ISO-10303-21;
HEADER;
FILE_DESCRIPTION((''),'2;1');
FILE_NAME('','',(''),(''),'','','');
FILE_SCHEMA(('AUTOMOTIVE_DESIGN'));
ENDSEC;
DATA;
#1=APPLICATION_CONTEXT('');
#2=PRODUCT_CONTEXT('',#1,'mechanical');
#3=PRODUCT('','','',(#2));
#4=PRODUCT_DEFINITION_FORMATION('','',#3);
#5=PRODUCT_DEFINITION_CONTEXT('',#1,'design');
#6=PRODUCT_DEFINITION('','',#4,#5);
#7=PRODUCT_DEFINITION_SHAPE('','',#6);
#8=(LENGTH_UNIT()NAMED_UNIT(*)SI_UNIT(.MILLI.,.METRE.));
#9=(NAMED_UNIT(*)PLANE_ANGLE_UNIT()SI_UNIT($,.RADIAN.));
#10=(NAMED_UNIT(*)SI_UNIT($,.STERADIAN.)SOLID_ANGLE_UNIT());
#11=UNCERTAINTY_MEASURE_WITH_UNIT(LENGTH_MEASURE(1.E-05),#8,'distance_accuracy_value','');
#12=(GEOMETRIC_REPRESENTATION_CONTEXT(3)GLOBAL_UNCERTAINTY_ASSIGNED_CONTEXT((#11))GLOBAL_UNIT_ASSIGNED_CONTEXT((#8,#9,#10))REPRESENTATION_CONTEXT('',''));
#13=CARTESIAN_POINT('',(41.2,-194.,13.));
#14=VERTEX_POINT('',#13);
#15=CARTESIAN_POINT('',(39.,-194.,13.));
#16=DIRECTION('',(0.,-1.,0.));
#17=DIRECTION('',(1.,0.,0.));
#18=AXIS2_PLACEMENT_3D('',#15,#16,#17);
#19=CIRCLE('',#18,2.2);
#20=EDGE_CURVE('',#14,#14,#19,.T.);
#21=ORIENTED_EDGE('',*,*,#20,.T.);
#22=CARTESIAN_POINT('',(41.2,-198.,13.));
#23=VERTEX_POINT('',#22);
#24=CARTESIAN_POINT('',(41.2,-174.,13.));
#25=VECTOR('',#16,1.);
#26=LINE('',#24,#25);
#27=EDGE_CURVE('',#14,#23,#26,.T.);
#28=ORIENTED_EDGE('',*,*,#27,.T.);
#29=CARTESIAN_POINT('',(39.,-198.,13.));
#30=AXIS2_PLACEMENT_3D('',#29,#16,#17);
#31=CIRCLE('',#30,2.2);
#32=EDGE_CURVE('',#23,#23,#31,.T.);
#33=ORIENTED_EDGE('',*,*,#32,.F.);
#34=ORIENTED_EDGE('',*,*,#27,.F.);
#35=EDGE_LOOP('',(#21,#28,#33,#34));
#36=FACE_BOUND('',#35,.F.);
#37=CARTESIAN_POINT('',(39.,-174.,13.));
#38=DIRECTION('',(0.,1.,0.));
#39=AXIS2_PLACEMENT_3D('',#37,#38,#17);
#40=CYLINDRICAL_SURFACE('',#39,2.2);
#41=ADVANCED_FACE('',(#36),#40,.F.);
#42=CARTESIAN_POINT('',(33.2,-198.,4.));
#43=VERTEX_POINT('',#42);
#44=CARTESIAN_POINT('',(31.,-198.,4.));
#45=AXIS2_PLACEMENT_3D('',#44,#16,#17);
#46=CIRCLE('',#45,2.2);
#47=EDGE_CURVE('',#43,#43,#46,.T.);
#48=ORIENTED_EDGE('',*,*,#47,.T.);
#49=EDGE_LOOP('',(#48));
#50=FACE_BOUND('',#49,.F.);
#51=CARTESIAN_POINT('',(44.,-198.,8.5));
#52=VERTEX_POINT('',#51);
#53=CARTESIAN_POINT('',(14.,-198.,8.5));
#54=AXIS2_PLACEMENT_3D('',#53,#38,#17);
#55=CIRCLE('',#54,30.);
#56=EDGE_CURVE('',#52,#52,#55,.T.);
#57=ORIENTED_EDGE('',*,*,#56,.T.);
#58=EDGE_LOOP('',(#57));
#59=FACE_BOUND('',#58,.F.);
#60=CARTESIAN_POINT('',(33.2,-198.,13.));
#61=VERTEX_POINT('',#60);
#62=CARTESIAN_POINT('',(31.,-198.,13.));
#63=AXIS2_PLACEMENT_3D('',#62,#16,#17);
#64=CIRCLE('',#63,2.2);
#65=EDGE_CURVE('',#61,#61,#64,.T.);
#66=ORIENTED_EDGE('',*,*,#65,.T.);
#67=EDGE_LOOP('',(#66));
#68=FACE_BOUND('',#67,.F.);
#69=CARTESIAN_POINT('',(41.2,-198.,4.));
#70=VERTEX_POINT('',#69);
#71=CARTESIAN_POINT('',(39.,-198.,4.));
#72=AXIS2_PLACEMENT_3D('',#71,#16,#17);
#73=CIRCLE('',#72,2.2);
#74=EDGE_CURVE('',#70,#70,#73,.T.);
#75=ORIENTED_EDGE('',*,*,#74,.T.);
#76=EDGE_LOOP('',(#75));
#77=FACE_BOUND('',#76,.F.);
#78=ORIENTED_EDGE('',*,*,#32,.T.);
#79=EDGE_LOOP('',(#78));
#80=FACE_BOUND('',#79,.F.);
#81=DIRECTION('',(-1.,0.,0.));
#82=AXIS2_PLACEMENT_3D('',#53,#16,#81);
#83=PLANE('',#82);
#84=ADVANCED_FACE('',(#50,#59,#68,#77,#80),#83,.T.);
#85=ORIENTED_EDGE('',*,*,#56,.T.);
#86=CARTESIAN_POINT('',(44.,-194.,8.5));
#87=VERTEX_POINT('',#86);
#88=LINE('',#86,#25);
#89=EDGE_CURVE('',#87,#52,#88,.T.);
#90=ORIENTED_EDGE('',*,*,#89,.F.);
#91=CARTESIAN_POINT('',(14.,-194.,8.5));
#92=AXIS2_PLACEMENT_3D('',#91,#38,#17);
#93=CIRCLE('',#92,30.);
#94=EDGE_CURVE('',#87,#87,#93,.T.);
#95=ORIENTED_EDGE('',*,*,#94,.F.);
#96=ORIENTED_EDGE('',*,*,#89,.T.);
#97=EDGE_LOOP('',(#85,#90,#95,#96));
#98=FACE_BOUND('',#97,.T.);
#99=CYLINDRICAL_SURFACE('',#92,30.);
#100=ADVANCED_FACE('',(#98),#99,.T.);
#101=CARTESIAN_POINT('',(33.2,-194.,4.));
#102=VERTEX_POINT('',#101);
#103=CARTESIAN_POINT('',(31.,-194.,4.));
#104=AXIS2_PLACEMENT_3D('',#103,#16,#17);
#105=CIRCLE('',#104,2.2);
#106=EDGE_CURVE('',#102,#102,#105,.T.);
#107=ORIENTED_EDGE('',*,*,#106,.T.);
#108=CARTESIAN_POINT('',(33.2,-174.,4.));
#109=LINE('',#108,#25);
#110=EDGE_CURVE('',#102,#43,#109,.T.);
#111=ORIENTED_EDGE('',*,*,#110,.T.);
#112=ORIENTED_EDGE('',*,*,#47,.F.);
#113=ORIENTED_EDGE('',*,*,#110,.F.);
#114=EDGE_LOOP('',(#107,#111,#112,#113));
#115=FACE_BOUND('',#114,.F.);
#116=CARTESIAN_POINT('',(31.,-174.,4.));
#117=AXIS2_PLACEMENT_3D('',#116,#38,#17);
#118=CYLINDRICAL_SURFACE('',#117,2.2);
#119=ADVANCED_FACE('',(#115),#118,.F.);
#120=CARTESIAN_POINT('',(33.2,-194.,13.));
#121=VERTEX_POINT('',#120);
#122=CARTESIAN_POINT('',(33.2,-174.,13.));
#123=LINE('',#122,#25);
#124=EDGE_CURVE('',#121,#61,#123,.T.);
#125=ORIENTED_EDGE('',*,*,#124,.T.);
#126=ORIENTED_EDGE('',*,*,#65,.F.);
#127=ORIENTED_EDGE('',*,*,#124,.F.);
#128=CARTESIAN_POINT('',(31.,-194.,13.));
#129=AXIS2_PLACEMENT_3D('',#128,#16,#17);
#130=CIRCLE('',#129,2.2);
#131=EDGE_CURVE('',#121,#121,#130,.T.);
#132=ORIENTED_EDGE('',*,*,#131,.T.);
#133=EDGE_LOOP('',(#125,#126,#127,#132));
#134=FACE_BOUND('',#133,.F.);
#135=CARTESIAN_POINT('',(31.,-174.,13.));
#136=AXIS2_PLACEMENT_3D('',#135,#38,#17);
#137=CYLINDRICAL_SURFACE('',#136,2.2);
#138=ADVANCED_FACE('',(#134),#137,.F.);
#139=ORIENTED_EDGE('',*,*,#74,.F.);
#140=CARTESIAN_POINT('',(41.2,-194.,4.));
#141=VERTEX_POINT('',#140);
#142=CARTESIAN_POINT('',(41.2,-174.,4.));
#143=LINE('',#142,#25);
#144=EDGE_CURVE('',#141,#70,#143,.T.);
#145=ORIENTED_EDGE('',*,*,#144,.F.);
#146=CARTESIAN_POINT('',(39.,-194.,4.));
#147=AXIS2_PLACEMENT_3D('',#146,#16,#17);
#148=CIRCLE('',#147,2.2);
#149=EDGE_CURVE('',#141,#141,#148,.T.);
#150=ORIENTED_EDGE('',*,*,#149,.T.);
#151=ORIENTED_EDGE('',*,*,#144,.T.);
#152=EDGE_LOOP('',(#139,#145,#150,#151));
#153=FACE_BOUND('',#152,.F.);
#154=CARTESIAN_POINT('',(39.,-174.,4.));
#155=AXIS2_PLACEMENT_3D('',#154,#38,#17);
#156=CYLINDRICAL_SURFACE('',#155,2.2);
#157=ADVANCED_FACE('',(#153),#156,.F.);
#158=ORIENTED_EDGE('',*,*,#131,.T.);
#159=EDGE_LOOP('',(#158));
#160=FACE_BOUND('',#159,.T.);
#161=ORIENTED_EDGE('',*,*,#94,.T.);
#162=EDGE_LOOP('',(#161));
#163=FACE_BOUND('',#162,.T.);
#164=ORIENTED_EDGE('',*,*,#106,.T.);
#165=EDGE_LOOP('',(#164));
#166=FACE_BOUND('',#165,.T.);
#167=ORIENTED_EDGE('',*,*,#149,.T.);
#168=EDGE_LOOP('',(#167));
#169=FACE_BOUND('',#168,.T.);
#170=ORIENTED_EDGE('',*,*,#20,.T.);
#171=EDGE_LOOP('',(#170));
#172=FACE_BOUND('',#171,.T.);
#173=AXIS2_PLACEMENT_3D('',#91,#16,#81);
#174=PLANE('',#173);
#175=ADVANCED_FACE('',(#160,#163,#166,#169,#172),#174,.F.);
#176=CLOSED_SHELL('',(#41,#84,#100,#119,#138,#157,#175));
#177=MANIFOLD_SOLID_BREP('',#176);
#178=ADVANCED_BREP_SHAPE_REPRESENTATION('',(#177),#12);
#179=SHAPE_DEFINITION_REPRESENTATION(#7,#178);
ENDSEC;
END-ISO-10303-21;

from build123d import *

# Parameters (mm, degrees)
CYLINDER051_R          = 2.2
CYLINDER051_DEPTH      = 26
CYLINDER051_ROLL_ANGLE = -90
ARRAY019_X_COUNT       = 2
ARRAY019_X_PITCH       = 8
ARRAY019_Z_COUNT       = 2
ARRAY019_Z_PITCH       = 9
CYLINDER050_R          = 30
CYLINDER050_DEPTH      = 4
CYLINDER050_ROLL_ANGLE = -90


with BuildPart() as taladros_suje_traccion007:
    # Cylinder051 → Cylinder051 (new body)
    with BuildSketch(Plane.XY):
        Circle(CYLINDER051_R)
    extrude(amount=CYLINDER051_DEPTH)


with BuildPart() as taladros_suje_traccion007_1:
    # Cylinder051 roll: moved
    add(taladros_suje_traccion007.part.rotate(Axis((0, 0, 0), (1, 0, 0)), CYLINDER051_ROLL_ANGLE))


with BuildPart() as taladros_suje_traccion007_2:
    # Cylinder051 placement: moved
    add(taladros_suje_traccion007_1.part.moved(Location((202, 0, 4))))

    # Array019 X: Taladros_suje_traccion007 ×2


with BuildPart() as taladros_suje_traccion007_3:
    add(taladros_suje_traccion007_2.part)
    with Locations(*[(i * ARRAY019_X_PITCH, 0, 0) for i in range(1, ARRAY019_X_COUNT)]):
        add(taladros_suje_traccion007_2.part)

    # Array019 Z: Taladros_suje_traccion007 ×2


with BuildPart() as taladros_suje_traccion007_4:
    add(taladros_suje_traccion007_3.part)
    with Locations(*[(0, 0, i * ARRAY019_Z_PITCH) for i in range(1, ARRAY019_Z_COUNT)]):
        add(taladros_suje_traccion007_3.part)


with BuildPart() as traccion003:
    # Cylinder050 → Cylinder050 (new body)
    with BuildSketch(Plane.XY):
        Circle(CYLINDER050_R)
    extrude(amount=CYLINDER050_DEPTH)


with BuildPart() as traccion003_1:
    # Cylinder050 roll: moved
    add(traccion003.part.rotate(Axis((0, 0, 0), (1, 0, 0)), CYLINDER050_ROLL_ANGLE))


with BuildPart() as traccion003_2:
    # Cylinder050 placement: moved
    add(traccion003_1.part.moved(Location((185, 20, 8.5))))

    # Cut055: cut Taladros_suje_traccion007
    add(taladros_suje_traccion007_4.part, mode=Mode.SUBTRACT)


with BuildPart() as traccion003_3:
    # Cut055 placement: moved
    add(traccion003_2.part.moved(Location((-171, -4, 0))))


with BuildPart() as traccion004:
    # Part__Mirroring019: instance of Traccion003
    add(traccion003_3.part.mirror(Plane(origin=(0, 0, 0), x_dir=(1, 0, 0), z_dir=(0, 1, 0))))


with BuildPart() as traccion004_1:
    # Part__Mirroring019 placement: moved
    add(traccion004.part.moved(Location((0, -178, 0))))


solid = traccion004_1.part
